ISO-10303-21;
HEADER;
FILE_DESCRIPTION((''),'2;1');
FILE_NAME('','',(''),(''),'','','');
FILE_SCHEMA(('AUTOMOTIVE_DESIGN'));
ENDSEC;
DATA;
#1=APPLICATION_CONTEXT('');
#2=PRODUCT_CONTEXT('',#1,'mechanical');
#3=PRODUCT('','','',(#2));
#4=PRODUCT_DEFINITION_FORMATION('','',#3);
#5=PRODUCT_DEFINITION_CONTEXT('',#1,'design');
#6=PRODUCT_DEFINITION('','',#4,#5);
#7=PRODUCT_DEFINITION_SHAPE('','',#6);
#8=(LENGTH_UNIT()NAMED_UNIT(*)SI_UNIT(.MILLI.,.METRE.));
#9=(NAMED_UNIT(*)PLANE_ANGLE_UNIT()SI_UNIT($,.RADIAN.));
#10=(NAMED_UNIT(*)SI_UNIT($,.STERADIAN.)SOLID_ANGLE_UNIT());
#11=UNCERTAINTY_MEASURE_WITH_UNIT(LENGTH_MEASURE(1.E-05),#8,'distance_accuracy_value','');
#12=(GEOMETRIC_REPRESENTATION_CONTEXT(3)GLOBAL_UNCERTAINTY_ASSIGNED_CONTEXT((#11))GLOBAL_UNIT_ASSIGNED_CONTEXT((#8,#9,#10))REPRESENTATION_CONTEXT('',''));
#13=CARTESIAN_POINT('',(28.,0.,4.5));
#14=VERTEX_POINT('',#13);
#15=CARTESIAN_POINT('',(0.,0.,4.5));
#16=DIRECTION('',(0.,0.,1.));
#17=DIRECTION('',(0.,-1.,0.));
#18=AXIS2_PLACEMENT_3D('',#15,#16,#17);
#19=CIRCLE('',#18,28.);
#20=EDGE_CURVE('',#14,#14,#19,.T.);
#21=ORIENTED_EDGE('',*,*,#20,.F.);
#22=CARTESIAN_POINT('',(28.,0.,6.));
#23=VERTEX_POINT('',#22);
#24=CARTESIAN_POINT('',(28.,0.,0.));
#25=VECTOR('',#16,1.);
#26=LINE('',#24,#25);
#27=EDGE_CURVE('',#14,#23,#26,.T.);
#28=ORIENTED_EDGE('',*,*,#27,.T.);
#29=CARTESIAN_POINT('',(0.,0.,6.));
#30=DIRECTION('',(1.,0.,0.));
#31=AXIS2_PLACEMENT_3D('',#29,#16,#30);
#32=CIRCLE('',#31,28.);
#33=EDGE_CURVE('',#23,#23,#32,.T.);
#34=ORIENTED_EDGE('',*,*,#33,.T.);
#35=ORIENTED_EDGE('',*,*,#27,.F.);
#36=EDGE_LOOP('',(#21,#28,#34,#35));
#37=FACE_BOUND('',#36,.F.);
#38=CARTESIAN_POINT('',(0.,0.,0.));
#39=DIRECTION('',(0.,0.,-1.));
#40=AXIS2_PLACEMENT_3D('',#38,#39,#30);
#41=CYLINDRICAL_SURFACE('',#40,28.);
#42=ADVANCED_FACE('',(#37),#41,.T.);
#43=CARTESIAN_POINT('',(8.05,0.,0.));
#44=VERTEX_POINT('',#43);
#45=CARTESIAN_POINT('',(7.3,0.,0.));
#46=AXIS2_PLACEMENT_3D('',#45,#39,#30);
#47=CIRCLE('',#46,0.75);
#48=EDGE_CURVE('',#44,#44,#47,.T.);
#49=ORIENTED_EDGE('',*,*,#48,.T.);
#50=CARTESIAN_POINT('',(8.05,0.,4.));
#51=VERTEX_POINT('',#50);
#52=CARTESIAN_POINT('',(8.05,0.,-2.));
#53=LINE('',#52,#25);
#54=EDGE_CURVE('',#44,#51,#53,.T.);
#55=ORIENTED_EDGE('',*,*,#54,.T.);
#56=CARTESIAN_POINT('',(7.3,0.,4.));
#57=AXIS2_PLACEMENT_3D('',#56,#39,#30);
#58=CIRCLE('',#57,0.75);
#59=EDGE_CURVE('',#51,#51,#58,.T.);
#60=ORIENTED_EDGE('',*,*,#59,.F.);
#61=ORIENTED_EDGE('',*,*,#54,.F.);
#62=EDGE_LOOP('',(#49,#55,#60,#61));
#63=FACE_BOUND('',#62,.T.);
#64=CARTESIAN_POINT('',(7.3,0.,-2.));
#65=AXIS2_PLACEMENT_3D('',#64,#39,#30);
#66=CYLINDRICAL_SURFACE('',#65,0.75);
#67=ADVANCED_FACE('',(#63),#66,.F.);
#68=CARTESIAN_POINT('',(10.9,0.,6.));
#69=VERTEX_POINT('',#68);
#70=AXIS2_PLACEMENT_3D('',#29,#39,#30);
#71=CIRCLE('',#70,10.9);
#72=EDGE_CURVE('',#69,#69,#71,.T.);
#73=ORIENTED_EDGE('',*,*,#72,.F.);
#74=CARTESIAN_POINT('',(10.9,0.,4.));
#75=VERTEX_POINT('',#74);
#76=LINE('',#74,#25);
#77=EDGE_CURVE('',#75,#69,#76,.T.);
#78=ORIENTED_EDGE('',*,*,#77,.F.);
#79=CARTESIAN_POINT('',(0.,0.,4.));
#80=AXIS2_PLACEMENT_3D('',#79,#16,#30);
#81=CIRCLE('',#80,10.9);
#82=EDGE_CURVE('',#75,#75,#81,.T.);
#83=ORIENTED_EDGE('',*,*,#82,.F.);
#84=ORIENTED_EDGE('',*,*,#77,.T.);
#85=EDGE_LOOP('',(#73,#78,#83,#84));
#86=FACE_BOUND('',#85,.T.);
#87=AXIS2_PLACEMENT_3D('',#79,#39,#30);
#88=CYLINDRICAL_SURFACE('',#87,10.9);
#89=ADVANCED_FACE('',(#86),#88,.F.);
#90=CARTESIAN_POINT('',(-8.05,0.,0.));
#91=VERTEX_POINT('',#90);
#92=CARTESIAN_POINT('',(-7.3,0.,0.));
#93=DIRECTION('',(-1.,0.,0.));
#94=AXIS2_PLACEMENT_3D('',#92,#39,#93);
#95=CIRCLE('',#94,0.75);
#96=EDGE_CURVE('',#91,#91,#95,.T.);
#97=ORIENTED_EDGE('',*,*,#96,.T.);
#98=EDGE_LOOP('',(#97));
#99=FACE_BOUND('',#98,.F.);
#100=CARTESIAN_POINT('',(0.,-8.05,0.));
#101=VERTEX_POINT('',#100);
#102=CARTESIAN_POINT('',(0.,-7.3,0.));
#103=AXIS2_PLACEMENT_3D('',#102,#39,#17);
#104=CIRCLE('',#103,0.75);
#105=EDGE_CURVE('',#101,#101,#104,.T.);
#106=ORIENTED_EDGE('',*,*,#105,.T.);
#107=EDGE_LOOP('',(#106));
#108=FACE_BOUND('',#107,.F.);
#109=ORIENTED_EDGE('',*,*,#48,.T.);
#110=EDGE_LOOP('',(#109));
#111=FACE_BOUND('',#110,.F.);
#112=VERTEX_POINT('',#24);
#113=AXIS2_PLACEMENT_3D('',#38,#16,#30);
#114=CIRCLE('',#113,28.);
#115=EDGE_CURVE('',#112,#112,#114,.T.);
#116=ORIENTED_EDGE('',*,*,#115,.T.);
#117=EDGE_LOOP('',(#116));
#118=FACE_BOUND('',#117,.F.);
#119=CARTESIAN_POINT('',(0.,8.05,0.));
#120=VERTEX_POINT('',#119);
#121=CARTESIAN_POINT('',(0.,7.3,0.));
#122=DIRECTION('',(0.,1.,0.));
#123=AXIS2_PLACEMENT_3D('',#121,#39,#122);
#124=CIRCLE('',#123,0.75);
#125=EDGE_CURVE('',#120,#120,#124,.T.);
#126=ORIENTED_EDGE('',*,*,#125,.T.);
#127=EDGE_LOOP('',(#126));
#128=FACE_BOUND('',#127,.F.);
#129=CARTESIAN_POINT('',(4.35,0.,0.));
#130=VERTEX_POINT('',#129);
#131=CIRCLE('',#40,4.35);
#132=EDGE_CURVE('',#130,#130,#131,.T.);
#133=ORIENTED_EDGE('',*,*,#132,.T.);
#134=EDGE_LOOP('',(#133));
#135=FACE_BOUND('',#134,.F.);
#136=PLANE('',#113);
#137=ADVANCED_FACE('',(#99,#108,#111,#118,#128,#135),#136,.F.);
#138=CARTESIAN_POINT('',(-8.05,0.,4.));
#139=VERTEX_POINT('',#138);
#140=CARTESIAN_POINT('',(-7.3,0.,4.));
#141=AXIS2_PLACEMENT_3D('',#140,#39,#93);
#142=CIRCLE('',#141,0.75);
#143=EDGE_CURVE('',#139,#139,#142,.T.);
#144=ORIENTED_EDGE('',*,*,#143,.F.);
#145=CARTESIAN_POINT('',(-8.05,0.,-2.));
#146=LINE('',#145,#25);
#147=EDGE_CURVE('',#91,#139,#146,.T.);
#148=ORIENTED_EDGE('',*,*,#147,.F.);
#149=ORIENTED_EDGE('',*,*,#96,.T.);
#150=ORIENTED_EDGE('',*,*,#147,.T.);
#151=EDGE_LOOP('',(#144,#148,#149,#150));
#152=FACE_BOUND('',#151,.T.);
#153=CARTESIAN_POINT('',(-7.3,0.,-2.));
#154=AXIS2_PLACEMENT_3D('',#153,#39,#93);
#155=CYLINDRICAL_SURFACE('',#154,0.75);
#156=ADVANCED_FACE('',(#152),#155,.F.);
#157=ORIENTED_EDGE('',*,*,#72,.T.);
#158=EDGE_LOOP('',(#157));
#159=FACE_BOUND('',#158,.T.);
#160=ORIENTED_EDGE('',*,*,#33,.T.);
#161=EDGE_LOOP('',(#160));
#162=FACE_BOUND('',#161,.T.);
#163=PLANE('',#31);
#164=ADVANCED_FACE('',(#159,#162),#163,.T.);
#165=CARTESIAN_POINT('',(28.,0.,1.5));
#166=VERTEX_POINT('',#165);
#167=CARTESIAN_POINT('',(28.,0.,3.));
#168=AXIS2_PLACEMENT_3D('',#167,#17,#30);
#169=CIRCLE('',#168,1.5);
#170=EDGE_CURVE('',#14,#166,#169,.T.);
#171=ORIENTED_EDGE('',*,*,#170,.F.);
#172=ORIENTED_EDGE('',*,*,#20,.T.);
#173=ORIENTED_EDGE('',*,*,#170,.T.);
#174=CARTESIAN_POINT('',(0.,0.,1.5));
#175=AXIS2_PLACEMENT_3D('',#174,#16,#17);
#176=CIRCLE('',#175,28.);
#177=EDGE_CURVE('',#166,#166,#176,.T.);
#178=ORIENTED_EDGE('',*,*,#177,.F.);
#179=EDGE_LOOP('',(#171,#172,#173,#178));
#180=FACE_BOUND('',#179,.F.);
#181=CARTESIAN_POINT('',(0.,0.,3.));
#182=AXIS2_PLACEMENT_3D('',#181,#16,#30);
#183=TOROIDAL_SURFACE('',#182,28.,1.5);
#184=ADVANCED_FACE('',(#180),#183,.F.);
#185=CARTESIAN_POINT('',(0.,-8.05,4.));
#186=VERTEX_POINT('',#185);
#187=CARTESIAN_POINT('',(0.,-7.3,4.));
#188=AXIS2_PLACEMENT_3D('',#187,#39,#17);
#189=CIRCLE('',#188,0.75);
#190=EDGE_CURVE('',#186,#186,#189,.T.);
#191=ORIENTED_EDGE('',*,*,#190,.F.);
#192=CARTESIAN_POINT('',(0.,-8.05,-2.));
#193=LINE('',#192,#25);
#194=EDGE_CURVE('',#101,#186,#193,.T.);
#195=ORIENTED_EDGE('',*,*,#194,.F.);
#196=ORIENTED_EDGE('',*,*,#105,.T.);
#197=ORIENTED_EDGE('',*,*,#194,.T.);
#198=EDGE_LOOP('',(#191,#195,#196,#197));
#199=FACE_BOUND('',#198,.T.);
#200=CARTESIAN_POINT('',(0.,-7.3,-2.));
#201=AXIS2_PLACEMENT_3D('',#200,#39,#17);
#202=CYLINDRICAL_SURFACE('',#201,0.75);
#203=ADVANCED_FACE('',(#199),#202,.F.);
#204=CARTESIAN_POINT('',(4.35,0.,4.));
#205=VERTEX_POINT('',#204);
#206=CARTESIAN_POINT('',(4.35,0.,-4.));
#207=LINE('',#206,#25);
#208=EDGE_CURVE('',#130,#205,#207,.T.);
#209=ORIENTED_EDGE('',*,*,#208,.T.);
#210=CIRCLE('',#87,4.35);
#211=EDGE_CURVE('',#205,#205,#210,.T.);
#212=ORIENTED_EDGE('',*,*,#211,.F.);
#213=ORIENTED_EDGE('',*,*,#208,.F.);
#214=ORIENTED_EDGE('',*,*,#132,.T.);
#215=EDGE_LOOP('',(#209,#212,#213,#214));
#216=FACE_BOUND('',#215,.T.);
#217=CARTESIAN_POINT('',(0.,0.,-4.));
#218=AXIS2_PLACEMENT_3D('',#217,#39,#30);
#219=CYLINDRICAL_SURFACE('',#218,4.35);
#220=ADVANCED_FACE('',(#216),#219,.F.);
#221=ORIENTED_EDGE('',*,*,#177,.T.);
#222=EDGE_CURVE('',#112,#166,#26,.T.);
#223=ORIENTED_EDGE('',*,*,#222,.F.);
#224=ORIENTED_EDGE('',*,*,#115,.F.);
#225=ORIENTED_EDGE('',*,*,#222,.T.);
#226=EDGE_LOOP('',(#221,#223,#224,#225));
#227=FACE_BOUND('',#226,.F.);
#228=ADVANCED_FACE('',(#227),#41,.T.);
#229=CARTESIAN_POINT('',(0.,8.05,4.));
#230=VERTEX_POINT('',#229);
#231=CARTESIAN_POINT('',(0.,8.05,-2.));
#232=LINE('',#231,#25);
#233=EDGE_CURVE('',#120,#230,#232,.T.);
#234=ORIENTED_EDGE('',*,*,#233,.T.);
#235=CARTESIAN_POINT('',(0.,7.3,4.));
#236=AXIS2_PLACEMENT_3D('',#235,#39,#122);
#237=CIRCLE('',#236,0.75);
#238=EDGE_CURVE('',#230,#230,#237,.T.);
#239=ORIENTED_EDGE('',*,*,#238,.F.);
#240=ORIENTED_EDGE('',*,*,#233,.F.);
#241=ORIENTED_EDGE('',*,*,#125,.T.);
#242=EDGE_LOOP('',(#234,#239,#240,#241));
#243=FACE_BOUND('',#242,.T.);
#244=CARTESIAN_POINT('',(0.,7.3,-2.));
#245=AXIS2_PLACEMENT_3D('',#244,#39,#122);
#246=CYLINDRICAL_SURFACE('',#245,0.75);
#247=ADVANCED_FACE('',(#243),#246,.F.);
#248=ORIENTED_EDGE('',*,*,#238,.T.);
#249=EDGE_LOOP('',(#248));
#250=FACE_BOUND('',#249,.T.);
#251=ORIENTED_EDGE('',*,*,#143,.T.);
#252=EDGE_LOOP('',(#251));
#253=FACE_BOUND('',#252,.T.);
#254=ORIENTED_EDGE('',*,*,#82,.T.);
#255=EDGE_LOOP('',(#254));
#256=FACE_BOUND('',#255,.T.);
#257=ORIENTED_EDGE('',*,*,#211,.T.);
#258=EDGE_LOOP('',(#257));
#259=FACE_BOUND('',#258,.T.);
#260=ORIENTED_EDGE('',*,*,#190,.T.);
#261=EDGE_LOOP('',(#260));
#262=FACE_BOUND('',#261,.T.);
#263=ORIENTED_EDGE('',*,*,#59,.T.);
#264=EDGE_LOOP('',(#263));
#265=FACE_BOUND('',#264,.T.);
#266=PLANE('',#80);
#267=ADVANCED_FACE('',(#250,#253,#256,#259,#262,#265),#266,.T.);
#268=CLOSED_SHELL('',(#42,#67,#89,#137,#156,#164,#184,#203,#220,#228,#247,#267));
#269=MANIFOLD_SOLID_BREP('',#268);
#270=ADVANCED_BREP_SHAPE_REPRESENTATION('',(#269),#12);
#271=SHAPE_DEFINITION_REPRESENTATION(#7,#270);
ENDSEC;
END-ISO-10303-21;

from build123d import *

# Parameters (mm, degrees)
CYLINDER003_R     = 0.75
CYLINDER003_DEPTH = 10
ARRAY_COUNT       = 4
CYLINDER002_R     = 4.35
CYLINDER002_DEPTH = 10
CYLINDER001_R     = 10.9
CYLINDER001_DEPTH = 10
TORUS_R           = 1.5
CYLINDER_R        = 28
CYLINDER_DEPTH    = 6


with BuildPart() as array:
    # Cylinder003 → Cylinder003 (new body)
    with BuildSketch(Plane(origin=(7.3, 0, -2), x_dir=(1, 0, 0), z_dir=(0, 0, 1))):
        Circle(CYLINDER003_R)
    extrude(amount=CYLINDER003_DEPTH)

    # Array: Array ×4 about axis
    array_axis = Axis((0, 0, 0), (0, 0, 1))


with BuildPart() as array_1:
    add(array.part)
    for i in range(1, ARRAY_COUNT):
        add(array.part.rotate(array_axis, i * 360 / ARRAY_COUNT))


with BuildPart() as cilindre002:
    # Cylinder002 → Cylinder002 (new body)
    with BuildSketch(Plane.XY.offset(-4)):
        Circle(CYLINDER002_R)
    extrude(amount=CYLINDER002_DEPTH)


with BuildPart() as cilindre001:
    # Cylinder001 → Cylinder001 (new body)
    with BuildSketch(Plane.XY.offset(4)):
        Circle(CYLINDER001_R)
    extrude(amount=CYLINDER001_DEPTH)


with BuildPart() as torus:
    # Torus → Torus (revolve)
    with BuildSketch(Plane(origin=(0, 0, 3), x_dir=(1, 0, 0), z_dir=(0, -1, 0))):
        with Locations((28, 0)):
            Circle(TORUS_R)
    revolve(axis=Axis((0, 0, 3), (0, 0, 1)))


with BuildPart() as cut003:
    # Cylinder → Cylinder (new body)
    with BuildSketch(Plane.XY):
        Circle(CYLINDER_R)
    extrude(amount=CYLINDER_DEPTH)

    # Cut: cut Torus
    add(torus.part, mode=Mode.SUBTRACT)

    # Cut001: cut Cilindre001
    add(cilindre001.part, mode=Mode.SUBTRACT)

    # Cut002: cut Cilindre002
    add(cilindre002.part, mode=Mode.SUBTRACT)

    # Cut003: cut Array
    add(array_1.part, mode=Mode.SUBTRACT)


solid = cut003.part
